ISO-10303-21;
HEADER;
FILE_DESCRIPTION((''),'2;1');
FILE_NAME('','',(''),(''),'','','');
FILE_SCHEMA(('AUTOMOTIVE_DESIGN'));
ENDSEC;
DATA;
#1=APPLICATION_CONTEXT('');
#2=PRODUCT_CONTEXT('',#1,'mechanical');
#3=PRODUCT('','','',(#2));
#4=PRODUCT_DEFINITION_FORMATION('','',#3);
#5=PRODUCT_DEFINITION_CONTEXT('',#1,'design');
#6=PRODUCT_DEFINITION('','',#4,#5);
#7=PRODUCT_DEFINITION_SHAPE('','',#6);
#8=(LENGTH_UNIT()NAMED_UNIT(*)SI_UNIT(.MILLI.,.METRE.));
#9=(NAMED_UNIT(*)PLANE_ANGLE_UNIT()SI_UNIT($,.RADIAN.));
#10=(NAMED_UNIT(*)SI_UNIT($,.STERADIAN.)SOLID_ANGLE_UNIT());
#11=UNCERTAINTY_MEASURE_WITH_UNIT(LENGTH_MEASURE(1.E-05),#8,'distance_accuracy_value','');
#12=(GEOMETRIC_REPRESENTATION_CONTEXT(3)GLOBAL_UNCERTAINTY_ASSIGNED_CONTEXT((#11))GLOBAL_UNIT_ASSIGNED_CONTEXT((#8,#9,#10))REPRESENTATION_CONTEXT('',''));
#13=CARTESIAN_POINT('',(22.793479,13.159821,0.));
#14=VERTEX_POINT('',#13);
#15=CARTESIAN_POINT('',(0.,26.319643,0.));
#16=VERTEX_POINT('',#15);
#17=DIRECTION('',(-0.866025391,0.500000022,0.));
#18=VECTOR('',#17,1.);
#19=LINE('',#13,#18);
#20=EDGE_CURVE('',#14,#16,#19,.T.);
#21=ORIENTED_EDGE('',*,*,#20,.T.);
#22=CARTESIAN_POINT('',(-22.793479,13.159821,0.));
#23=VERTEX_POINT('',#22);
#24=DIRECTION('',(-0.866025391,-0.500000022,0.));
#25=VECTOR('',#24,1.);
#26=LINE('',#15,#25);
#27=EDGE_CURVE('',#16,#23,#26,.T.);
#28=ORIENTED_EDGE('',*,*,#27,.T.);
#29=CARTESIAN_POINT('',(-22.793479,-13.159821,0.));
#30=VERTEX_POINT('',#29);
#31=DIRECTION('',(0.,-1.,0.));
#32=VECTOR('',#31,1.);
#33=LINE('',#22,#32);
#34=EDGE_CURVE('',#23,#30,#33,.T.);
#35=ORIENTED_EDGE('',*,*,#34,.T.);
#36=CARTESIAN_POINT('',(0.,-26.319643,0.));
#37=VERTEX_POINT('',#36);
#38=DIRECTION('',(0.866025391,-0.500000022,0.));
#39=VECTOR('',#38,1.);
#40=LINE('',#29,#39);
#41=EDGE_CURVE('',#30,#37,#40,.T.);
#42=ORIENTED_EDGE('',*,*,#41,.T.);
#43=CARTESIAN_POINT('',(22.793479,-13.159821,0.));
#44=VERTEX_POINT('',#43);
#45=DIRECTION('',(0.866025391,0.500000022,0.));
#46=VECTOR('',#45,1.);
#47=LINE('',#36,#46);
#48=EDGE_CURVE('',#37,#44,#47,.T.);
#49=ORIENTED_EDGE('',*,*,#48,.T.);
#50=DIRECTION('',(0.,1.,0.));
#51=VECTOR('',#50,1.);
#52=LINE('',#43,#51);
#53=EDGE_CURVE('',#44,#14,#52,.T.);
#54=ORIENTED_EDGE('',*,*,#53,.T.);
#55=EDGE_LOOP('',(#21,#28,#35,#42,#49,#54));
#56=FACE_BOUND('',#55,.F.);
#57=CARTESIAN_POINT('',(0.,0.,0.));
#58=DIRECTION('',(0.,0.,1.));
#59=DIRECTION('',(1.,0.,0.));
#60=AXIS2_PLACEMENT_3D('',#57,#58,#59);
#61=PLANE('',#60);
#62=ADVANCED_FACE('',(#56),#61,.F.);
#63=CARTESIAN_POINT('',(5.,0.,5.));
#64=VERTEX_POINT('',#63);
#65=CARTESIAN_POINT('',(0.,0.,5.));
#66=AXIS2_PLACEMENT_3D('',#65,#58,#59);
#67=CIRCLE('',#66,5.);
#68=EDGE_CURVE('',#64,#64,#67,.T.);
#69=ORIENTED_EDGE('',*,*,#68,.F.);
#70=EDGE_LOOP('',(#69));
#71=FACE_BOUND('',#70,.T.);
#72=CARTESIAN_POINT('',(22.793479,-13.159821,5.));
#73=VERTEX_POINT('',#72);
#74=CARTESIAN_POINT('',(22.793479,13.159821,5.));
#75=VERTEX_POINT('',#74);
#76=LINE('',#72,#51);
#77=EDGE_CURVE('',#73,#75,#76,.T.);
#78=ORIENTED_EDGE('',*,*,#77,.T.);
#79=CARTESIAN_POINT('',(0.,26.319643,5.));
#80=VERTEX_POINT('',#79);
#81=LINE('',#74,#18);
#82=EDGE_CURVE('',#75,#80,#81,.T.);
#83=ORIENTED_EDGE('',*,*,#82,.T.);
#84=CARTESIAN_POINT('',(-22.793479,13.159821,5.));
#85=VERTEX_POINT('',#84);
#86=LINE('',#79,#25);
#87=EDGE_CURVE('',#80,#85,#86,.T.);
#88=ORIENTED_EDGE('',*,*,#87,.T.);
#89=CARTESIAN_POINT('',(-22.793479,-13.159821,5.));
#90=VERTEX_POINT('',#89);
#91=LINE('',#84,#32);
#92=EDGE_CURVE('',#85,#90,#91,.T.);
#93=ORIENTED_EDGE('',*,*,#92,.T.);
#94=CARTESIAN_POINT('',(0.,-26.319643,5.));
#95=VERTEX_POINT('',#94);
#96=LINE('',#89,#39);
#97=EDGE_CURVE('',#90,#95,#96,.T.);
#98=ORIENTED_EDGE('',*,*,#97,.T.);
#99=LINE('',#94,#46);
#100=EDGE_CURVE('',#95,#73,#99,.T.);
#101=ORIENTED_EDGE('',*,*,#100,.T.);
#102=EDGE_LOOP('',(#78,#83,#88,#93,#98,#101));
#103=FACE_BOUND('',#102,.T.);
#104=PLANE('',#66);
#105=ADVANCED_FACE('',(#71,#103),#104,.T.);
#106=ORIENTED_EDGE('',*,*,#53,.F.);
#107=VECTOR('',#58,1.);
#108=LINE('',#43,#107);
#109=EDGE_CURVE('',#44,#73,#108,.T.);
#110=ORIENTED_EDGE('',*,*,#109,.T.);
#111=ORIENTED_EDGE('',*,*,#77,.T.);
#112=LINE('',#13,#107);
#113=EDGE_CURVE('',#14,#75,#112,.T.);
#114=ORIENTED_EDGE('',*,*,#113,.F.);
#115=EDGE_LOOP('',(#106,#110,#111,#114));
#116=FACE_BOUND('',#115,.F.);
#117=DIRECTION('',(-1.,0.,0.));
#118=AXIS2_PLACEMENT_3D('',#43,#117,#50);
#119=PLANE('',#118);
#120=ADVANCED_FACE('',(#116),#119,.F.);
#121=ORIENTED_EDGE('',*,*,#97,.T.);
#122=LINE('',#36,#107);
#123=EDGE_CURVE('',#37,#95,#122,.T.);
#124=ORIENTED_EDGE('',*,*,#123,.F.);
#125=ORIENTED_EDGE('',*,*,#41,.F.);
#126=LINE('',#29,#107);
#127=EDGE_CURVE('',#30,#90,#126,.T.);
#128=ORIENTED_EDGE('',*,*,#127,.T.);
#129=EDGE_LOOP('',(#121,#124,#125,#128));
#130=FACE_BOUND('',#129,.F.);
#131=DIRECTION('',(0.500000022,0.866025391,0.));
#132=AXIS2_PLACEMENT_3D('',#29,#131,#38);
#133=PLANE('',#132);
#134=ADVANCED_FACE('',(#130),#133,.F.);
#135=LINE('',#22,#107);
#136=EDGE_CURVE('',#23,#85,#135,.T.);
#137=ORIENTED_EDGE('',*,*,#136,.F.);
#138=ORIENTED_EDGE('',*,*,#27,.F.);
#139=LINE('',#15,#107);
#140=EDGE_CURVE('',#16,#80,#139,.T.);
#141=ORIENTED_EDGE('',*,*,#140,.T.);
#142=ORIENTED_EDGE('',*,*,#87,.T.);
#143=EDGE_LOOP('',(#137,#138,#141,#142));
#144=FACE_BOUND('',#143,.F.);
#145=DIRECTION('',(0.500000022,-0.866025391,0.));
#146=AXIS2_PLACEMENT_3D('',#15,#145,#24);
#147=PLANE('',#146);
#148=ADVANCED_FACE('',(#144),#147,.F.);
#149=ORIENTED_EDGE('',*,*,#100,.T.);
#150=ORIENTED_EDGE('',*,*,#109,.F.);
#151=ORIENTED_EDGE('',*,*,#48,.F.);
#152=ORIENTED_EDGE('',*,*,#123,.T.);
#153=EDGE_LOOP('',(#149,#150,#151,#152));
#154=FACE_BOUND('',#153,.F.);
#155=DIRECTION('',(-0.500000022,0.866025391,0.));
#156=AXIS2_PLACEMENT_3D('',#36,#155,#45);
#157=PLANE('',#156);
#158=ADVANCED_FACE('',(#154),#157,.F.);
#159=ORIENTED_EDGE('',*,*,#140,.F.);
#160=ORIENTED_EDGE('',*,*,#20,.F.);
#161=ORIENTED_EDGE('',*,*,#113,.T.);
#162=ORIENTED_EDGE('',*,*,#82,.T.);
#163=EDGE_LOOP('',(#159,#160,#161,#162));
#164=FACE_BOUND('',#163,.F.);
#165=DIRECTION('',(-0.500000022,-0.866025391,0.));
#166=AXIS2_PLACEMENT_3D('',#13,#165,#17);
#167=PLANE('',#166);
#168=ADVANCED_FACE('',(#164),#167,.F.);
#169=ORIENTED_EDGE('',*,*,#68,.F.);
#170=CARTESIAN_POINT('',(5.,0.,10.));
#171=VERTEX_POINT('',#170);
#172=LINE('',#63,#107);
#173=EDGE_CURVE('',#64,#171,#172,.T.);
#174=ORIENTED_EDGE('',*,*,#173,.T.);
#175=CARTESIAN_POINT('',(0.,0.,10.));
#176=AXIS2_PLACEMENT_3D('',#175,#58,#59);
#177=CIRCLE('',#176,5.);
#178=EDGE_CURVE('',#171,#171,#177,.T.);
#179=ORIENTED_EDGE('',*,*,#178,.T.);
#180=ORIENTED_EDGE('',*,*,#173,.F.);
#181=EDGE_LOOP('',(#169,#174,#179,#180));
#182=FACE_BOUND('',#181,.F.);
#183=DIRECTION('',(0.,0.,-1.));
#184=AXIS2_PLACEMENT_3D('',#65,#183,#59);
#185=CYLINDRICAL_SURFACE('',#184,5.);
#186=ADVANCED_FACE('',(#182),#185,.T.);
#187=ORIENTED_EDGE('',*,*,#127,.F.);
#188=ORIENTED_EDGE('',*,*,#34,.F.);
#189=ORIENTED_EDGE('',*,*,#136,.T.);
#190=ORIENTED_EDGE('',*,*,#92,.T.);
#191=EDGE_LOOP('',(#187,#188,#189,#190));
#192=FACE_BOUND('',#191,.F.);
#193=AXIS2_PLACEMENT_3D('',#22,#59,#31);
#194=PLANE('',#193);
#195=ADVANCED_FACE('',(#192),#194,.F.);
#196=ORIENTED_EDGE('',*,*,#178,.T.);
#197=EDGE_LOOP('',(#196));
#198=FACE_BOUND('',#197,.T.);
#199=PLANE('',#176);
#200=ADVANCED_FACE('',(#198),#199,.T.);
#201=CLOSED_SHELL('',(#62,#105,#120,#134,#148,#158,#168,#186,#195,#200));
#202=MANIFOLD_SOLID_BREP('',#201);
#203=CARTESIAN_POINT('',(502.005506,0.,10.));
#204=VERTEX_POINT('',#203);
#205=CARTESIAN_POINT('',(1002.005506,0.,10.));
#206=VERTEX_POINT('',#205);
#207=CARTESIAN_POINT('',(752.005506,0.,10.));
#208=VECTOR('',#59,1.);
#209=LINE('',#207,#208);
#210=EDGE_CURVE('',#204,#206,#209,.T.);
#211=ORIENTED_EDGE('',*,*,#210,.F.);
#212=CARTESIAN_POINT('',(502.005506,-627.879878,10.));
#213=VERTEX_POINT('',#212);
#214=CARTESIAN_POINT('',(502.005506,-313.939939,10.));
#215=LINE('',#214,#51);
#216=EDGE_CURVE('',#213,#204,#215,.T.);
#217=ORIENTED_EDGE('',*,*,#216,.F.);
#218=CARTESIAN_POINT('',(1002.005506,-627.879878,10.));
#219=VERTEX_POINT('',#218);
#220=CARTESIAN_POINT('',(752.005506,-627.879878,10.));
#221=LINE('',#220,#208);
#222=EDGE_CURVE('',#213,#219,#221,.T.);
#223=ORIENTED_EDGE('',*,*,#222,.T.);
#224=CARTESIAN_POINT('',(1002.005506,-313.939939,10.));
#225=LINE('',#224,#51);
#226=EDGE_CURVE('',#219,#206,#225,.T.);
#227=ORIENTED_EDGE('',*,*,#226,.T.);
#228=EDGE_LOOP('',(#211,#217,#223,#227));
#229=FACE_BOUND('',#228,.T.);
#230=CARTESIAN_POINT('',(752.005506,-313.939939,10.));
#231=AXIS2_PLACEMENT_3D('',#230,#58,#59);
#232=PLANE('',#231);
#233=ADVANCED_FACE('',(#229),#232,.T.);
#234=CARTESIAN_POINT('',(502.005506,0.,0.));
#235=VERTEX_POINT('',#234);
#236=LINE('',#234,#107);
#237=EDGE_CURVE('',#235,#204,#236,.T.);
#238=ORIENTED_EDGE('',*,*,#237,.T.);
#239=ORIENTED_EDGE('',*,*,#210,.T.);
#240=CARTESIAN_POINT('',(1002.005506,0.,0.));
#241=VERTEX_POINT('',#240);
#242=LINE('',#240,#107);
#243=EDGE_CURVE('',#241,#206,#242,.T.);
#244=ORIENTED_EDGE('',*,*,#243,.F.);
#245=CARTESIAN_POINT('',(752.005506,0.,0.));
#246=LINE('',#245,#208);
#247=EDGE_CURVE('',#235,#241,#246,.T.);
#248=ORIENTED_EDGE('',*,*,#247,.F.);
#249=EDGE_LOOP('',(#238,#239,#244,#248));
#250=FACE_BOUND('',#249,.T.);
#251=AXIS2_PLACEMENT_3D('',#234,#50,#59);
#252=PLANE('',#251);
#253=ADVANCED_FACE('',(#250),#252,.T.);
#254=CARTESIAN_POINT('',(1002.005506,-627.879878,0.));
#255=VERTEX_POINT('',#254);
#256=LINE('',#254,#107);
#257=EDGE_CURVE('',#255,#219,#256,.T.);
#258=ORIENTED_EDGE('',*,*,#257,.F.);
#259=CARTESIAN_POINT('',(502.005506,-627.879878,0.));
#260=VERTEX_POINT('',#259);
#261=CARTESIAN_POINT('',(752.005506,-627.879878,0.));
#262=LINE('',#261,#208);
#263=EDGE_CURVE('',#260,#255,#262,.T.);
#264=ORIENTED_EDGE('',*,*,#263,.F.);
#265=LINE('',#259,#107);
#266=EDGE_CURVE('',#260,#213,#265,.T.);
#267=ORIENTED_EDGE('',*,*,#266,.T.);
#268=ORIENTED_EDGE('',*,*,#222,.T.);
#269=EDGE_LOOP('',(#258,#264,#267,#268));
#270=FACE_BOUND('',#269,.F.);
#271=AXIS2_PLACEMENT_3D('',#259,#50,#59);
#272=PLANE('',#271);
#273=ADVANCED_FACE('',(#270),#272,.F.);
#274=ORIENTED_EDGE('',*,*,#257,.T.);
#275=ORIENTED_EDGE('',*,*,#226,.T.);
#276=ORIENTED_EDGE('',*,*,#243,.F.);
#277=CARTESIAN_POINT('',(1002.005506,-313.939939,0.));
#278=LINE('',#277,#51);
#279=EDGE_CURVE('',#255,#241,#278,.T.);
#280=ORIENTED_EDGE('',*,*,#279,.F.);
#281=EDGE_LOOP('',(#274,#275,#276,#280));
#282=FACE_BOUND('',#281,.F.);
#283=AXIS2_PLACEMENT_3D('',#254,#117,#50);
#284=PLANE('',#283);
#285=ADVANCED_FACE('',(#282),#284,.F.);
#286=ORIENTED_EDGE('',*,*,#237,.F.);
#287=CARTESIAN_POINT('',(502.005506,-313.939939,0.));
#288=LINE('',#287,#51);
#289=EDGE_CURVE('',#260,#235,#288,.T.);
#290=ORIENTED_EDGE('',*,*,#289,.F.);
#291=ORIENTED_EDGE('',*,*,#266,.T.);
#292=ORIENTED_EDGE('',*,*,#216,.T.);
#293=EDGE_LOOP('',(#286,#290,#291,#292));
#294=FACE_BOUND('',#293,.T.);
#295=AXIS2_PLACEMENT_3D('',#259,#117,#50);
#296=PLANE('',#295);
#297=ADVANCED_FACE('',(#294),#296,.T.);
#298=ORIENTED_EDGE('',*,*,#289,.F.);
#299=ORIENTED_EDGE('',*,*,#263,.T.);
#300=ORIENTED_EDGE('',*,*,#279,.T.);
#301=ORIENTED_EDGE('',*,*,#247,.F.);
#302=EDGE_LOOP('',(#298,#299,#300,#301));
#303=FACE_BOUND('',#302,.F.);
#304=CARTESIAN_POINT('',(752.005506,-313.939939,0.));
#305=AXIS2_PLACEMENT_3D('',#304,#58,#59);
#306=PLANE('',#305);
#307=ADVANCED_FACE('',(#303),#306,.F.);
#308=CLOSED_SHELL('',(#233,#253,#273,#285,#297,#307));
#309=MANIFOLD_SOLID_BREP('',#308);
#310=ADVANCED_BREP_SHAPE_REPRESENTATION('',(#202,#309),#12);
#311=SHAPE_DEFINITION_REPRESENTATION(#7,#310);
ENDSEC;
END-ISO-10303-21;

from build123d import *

# Parameters (mm, degrees)
F1_DEPTH = 5
F2_R     = 5
F3_DEPTH = 5
F4_W     = 500
F4_H     = 627.879878
F5_DEPTH = 10


with BuildPart() as f1:
    # F0 (on Top) → F1 (new body)
    with BuildSketch(Plane.XY):
        Polygon((22.793479, -13.159821), (22.793479, 13.159821), (0, 26.319643), (-22.793479, 13.159821), (-22.793479, -13.159821), (0, -26.319643), align=None)
    extrude(amount=F1_DEPTH)

    # F2 (on face) → F3 (join)
    with BuildSketch(Plane.XY.offset(5)):
        Circle(F2_R)
    extrude(amount=F3_DEPTH)


with BuildPart() as f5:
    # F4 (on Top) → F5 (new body)
    with BuildSketch(Plane.XY):
        with Locations((752.005506, -313.939939)):
            Rectangle(F4_W, F4_H)
    extrude(amount=F5_DEPTH)


solid = Compound([f1.part, f5.part])
